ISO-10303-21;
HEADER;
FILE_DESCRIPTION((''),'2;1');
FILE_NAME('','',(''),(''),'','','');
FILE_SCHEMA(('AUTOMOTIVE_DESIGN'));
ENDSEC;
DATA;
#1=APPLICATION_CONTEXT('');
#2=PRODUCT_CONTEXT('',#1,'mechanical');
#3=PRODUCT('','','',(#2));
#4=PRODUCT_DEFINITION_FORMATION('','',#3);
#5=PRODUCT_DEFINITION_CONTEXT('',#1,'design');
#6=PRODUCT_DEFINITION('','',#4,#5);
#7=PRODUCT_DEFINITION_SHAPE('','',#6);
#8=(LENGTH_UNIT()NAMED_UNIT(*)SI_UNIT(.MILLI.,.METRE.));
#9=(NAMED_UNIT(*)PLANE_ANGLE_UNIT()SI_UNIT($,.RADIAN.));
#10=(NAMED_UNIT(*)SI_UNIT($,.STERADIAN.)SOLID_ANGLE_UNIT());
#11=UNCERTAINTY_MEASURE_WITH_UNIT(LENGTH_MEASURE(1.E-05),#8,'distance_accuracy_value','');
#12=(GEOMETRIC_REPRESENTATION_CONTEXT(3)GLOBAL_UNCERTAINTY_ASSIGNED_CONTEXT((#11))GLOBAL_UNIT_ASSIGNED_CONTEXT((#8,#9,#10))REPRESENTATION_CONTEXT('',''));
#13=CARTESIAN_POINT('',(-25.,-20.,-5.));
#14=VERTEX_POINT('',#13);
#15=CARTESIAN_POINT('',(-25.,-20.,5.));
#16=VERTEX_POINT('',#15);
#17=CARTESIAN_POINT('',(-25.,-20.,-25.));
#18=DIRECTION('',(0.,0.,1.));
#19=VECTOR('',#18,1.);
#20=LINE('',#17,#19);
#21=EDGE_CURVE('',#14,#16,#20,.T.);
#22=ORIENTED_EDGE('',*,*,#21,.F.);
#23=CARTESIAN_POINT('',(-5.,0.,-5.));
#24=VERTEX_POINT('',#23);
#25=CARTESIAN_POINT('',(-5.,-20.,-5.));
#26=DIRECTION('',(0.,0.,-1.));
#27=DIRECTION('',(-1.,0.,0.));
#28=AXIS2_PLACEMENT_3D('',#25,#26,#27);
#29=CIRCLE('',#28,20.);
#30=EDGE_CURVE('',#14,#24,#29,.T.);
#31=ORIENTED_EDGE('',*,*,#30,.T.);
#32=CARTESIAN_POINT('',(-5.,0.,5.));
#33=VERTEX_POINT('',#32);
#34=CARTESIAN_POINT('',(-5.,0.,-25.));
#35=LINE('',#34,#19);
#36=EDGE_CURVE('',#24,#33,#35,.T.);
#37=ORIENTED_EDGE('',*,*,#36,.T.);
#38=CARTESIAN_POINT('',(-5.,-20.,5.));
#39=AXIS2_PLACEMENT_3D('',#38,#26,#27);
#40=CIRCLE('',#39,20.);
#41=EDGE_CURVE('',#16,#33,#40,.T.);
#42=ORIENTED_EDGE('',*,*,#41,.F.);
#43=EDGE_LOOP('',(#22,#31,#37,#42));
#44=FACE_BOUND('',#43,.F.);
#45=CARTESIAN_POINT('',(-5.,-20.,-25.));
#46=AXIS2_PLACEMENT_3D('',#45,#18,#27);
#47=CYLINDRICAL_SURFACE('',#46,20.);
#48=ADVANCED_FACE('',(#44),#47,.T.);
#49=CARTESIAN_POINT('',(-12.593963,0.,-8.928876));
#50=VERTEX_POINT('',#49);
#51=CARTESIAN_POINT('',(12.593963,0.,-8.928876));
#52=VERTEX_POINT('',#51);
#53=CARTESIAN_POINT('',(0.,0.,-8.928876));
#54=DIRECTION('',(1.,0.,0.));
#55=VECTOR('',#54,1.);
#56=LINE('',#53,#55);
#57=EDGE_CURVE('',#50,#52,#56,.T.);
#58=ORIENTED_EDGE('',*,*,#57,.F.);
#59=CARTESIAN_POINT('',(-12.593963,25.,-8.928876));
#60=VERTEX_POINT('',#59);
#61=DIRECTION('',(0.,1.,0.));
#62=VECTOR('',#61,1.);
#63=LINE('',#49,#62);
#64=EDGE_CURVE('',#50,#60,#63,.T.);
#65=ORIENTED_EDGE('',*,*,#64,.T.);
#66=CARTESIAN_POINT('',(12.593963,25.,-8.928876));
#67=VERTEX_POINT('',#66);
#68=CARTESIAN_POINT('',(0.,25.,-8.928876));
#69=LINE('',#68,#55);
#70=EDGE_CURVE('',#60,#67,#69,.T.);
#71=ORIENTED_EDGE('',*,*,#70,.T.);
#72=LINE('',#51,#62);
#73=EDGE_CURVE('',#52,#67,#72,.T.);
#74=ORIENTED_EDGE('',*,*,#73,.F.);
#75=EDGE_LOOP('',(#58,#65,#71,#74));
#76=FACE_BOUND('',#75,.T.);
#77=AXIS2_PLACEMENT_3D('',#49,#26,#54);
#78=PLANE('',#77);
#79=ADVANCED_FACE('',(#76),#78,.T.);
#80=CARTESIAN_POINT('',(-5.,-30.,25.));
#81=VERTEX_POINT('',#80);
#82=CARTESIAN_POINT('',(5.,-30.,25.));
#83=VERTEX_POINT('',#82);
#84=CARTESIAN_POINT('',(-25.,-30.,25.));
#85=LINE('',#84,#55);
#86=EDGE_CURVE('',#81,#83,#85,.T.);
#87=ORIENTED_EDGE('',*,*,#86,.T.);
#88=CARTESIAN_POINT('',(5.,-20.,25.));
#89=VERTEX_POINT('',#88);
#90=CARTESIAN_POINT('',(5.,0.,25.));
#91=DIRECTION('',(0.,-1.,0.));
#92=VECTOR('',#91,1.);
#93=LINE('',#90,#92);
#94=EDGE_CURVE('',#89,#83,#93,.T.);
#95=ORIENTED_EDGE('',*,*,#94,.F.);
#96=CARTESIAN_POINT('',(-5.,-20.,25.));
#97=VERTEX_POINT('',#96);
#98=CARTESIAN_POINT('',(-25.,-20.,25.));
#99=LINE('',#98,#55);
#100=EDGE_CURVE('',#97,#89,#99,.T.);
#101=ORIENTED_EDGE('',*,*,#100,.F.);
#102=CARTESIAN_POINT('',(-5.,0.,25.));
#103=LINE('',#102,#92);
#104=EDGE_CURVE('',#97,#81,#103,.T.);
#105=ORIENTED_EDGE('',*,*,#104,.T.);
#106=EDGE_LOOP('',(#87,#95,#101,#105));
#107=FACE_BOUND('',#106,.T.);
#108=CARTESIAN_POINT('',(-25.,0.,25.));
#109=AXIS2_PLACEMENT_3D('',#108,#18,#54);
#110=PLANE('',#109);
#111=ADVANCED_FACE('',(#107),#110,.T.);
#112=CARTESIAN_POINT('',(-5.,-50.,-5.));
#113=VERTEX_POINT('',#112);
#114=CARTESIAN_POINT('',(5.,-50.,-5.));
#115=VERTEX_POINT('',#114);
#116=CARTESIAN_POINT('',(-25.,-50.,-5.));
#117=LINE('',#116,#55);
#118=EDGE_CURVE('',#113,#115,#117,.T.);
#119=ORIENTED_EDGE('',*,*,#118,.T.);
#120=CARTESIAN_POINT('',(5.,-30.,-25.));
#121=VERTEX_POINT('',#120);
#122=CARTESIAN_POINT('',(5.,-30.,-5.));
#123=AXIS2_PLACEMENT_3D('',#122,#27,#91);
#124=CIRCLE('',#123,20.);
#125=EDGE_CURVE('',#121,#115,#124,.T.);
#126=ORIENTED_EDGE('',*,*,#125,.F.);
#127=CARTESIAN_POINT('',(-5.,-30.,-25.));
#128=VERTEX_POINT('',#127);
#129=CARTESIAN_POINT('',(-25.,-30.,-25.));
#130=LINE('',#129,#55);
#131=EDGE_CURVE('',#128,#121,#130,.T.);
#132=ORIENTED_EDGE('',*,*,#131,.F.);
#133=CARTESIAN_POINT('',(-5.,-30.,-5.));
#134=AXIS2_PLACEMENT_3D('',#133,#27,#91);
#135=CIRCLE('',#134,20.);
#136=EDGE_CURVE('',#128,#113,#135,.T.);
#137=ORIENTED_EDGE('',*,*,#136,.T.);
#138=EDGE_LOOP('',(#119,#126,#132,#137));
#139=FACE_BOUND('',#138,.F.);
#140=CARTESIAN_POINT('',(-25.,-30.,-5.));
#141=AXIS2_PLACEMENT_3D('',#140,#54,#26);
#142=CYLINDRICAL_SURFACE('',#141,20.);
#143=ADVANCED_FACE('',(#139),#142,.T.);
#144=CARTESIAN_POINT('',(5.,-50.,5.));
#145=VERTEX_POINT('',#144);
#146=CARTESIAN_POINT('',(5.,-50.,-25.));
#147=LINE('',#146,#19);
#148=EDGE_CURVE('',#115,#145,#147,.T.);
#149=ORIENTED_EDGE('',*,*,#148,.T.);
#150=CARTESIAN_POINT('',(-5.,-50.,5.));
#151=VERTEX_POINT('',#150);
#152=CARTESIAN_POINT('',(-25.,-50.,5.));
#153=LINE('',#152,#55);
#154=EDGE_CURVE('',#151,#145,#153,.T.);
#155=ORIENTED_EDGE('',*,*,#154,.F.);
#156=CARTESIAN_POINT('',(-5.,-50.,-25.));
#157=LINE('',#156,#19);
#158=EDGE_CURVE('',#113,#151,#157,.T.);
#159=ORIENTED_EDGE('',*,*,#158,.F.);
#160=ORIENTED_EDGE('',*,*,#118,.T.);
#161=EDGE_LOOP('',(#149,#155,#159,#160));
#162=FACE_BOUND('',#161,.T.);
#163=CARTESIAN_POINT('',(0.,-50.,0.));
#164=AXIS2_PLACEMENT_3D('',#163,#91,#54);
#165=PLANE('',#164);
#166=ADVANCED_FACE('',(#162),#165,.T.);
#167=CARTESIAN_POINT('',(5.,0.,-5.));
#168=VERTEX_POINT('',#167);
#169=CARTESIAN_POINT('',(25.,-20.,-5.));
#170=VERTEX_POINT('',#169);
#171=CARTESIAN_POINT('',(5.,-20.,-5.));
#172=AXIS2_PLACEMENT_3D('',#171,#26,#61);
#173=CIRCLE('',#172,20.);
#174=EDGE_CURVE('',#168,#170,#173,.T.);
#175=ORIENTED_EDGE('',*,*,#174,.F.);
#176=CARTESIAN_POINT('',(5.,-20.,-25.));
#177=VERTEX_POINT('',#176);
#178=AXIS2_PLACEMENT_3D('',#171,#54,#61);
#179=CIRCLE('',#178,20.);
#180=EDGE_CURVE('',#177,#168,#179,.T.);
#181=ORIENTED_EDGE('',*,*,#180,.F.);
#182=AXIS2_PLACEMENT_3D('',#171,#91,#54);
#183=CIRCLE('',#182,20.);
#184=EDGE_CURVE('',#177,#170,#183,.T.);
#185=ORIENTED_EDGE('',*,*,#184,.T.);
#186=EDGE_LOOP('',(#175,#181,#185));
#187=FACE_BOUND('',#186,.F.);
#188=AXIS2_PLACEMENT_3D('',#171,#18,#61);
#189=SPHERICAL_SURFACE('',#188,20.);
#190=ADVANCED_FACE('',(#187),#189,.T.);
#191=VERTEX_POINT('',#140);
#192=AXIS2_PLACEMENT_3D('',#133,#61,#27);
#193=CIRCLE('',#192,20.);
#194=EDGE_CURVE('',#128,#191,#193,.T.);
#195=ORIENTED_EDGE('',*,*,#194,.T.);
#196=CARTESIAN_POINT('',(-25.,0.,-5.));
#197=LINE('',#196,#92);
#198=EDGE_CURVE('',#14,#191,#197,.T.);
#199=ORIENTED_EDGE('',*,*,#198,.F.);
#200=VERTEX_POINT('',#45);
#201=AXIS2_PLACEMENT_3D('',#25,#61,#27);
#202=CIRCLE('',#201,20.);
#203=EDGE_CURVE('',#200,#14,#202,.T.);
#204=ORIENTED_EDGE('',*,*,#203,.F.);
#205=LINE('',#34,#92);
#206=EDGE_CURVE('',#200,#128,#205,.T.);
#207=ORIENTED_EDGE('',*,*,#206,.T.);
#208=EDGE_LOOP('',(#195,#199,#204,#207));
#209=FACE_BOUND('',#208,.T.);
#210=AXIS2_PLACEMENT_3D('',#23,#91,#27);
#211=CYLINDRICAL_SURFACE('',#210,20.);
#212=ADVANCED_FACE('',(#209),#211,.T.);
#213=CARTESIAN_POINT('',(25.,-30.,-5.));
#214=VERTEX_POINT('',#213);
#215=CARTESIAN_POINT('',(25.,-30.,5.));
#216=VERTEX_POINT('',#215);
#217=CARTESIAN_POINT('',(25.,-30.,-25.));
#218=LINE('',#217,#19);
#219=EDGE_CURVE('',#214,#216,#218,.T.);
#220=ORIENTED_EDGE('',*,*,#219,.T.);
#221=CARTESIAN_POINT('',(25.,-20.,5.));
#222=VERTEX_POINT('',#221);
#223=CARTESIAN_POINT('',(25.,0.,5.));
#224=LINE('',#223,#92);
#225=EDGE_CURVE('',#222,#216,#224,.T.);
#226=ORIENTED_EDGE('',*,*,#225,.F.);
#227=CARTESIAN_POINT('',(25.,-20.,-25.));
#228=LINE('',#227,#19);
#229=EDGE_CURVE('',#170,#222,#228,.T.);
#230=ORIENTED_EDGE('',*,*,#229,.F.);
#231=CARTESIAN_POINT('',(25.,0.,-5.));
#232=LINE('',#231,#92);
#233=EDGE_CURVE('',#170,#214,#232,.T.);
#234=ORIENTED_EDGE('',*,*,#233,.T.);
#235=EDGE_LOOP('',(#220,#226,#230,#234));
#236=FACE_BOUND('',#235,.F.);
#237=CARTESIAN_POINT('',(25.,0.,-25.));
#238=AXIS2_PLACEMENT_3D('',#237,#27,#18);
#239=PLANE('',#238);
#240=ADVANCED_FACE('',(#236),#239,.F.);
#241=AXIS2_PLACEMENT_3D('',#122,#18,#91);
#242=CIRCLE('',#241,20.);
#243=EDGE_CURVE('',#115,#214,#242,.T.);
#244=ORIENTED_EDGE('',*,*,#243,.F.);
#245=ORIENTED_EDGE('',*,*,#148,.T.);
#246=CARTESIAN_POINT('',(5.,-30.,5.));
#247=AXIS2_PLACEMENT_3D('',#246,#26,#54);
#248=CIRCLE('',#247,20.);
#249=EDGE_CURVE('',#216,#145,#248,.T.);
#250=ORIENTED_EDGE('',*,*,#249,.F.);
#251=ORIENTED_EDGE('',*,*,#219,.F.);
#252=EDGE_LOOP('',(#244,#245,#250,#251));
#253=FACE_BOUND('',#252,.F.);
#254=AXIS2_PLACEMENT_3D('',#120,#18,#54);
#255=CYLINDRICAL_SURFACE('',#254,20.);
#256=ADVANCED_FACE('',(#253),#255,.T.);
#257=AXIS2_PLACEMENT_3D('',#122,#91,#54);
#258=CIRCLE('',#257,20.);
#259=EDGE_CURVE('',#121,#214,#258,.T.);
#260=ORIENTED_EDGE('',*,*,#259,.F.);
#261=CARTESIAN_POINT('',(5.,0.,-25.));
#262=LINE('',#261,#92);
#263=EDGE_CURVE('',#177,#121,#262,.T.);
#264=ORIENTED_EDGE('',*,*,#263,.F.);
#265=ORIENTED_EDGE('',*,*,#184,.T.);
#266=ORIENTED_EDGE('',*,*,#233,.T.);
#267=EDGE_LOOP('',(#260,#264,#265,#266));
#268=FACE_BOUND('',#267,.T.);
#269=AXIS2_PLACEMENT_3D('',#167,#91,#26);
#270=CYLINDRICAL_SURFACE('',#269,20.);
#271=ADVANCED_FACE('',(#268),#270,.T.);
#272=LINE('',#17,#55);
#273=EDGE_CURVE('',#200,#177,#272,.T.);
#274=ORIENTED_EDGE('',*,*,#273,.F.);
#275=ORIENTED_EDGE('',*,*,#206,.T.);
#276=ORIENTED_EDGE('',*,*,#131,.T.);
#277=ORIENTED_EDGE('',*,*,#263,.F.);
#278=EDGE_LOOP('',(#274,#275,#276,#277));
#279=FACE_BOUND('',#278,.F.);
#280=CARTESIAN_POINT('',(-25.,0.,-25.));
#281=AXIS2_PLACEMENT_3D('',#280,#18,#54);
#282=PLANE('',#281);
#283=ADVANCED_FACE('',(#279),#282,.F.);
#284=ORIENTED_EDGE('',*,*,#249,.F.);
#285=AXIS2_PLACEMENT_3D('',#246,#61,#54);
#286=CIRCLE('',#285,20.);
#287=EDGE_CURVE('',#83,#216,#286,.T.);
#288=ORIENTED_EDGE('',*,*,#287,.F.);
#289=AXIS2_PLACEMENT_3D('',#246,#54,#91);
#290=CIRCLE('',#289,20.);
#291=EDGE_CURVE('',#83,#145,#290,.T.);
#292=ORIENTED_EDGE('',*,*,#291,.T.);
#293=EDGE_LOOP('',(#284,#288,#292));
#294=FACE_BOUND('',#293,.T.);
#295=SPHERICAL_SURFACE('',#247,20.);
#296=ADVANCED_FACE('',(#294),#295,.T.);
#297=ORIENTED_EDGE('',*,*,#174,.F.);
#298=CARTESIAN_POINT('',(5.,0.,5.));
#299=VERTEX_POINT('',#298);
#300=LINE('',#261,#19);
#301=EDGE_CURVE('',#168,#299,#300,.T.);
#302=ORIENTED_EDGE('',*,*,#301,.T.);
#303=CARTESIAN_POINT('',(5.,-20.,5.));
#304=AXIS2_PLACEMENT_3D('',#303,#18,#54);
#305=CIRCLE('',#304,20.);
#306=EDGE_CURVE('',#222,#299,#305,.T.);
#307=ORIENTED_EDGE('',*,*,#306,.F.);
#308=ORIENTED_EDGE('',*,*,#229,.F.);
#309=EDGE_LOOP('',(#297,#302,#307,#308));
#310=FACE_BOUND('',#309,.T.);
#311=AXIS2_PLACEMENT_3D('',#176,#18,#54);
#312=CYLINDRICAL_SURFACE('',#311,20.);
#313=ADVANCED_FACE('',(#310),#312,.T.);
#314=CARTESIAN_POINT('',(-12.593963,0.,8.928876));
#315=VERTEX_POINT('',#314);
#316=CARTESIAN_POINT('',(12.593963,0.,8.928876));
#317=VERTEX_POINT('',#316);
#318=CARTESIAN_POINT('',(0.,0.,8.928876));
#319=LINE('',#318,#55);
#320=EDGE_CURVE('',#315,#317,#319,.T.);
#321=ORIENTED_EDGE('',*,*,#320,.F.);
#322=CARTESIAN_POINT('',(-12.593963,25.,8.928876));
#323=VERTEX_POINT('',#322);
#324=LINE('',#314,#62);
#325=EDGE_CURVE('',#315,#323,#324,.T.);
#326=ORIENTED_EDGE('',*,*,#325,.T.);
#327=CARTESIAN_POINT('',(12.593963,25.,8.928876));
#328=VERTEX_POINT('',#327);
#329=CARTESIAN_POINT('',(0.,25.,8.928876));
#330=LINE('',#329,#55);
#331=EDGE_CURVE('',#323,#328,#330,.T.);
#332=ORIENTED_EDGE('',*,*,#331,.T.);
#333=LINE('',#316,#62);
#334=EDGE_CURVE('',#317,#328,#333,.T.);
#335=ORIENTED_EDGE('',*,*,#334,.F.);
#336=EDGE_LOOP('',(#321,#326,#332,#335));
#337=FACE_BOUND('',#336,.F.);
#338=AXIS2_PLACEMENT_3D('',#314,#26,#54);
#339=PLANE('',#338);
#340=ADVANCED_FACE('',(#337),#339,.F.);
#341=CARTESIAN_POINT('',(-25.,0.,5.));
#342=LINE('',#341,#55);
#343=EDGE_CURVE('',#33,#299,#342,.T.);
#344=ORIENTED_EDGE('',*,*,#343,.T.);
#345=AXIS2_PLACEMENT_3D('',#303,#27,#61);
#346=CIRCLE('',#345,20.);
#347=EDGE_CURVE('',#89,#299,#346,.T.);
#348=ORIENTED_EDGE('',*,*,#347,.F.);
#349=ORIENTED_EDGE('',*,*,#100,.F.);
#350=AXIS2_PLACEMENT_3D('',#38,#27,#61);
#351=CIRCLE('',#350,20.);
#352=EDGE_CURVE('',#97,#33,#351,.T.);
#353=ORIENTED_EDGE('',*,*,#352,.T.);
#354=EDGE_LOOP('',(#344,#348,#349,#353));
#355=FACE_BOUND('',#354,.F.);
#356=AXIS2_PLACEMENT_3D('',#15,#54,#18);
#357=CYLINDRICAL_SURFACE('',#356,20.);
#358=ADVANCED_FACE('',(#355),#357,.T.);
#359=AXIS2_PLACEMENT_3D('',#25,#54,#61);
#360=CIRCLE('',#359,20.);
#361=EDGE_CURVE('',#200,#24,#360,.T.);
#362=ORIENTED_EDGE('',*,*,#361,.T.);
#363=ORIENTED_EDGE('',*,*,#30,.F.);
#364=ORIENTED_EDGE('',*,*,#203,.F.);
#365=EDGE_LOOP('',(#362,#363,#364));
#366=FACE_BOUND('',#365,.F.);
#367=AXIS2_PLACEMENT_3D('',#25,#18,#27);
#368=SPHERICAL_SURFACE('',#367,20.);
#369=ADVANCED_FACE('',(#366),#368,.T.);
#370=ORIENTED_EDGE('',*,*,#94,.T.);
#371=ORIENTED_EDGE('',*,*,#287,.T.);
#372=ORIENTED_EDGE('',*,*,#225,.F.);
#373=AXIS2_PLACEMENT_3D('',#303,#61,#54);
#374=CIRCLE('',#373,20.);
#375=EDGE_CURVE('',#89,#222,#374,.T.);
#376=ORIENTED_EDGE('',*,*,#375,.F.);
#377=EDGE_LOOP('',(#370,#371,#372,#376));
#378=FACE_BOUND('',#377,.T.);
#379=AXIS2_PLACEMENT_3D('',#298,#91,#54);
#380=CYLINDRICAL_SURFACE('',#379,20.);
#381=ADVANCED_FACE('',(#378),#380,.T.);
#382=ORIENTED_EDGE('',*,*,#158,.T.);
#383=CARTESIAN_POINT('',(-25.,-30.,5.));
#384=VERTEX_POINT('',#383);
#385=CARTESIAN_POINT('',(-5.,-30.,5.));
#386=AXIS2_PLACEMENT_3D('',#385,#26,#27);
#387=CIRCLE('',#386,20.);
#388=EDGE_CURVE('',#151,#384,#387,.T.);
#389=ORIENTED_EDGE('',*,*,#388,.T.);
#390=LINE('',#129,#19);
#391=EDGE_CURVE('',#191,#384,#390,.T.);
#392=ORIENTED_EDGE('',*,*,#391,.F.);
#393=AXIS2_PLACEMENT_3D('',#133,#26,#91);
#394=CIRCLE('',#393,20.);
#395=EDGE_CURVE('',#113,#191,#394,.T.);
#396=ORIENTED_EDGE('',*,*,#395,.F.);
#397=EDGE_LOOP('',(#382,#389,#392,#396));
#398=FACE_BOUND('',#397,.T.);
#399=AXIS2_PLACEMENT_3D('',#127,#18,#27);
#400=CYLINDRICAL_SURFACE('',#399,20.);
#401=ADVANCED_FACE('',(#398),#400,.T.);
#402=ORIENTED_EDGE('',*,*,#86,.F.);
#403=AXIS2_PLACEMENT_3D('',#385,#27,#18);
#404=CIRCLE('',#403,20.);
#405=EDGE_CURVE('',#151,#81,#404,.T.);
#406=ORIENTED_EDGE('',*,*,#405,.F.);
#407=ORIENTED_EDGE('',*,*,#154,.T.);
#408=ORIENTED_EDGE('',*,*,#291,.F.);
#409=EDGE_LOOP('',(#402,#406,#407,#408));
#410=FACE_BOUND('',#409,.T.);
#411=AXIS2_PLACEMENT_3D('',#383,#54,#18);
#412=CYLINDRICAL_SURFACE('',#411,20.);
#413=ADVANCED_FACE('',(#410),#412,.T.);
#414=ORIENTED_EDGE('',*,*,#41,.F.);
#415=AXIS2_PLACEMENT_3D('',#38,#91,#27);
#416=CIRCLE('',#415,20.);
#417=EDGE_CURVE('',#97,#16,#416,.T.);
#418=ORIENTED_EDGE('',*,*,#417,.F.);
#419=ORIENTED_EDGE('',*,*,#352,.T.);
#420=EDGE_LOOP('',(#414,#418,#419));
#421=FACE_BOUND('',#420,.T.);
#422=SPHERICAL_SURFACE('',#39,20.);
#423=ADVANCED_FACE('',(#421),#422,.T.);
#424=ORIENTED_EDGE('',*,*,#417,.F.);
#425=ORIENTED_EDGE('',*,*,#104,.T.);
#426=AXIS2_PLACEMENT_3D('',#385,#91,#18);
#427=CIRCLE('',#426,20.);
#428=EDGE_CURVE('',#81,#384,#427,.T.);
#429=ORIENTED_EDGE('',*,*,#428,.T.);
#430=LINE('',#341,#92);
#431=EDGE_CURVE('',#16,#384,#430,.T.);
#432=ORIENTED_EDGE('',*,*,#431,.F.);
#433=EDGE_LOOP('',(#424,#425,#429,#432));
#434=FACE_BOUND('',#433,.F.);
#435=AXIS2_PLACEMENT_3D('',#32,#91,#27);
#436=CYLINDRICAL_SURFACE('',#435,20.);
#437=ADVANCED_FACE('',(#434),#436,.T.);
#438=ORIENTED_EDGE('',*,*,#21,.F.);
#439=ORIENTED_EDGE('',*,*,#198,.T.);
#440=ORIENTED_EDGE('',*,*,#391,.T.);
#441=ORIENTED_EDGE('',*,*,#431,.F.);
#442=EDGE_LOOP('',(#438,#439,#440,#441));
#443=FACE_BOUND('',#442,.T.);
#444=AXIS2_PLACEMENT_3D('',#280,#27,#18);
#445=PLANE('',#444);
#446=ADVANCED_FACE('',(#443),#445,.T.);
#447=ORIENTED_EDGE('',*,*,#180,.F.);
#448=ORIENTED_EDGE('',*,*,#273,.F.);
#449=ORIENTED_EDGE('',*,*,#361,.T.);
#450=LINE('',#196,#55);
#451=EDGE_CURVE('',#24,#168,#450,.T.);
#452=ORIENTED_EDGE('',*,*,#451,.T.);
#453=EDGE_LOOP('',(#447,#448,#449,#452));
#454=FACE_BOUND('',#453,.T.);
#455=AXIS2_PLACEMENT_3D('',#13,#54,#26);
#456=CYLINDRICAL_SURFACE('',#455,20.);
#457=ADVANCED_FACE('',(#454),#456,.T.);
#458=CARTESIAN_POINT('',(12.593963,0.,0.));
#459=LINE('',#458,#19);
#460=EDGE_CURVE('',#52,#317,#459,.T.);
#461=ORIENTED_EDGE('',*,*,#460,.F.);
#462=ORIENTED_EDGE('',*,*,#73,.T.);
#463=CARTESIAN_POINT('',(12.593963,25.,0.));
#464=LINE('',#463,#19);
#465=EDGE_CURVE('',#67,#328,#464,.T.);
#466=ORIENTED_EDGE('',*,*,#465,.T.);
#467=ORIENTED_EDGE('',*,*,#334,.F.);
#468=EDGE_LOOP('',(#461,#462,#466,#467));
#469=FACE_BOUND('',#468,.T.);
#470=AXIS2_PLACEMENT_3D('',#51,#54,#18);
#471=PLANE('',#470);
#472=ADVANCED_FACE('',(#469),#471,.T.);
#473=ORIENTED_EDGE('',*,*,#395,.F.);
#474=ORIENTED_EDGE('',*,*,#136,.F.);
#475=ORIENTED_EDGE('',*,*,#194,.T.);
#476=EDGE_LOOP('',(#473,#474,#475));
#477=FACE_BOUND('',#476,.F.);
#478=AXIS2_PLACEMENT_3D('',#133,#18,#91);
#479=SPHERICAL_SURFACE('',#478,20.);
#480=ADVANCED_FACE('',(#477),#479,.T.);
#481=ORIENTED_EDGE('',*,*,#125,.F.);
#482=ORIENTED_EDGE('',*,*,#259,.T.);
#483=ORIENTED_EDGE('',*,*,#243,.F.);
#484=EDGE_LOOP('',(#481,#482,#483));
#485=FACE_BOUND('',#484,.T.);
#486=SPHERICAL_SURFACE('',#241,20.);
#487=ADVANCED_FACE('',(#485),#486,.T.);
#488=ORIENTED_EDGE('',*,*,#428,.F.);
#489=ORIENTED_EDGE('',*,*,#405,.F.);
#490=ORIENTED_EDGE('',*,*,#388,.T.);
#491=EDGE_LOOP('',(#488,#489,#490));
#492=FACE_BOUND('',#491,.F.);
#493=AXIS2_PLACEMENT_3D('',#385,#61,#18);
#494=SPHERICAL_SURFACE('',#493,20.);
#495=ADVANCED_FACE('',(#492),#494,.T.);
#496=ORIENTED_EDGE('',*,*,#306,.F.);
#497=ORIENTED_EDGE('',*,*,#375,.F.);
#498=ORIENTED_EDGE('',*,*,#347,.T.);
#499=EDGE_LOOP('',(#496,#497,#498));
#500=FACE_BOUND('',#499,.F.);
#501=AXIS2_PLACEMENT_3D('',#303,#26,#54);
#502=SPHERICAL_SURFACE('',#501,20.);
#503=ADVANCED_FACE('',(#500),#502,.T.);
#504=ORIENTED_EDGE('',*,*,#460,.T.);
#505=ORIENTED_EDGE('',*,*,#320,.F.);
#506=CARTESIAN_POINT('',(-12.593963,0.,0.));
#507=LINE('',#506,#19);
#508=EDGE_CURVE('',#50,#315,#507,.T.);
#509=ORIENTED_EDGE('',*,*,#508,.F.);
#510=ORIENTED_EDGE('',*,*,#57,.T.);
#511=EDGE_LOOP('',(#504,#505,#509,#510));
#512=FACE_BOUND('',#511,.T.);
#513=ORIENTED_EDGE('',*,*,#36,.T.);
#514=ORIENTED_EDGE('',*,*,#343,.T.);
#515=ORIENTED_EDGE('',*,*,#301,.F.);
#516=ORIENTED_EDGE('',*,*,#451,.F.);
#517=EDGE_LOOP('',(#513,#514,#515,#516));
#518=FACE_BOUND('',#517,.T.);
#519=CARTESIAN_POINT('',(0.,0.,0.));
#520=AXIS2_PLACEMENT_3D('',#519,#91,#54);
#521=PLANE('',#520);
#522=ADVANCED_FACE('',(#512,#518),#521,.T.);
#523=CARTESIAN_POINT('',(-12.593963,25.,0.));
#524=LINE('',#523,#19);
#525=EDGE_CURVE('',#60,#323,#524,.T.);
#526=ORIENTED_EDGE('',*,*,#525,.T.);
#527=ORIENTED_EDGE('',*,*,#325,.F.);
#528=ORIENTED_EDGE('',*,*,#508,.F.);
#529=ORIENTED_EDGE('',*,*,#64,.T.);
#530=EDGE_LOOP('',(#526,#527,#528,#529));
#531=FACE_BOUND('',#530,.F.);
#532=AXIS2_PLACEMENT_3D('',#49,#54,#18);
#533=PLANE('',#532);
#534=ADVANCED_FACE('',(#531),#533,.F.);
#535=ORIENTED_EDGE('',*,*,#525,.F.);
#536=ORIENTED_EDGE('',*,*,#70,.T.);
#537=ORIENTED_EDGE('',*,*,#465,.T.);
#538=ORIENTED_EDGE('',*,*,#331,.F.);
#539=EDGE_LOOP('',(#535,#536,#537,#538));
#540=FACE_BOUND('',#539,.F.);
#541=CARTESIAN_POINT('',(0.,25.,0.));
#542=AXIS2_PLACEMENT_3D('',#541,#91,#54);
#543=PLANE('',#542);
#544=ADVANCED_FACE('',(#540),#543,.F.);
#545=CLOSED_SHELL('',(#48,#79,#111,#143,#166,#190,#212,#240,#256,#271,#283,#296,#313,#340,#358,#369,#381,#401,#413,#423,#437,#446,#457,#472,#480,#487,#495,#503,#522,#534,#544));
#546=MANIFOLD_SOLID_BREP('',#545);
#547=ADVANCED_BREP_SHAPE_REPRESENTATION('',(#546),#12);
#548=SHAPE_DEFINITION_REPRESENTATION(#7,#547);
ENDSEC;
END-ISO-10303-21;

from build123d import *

# Parameters (mm, degrees)
F0_W     = 50
F0_H     = 50
F1_DEPTH = 50
F2_R     = 20
F3_W     = 25.187926
F3_H     = 17.857752
F4_DEPTH = 25


with BuildPart() as f1:
    # F0 (on Front) → F1 (new body)
    with BuildSketch(Plane.XZ):
        Rectangle(F0_W, F0_H)
    extrude(amount=F1_DEPTH)

    # F2
    f2_edges = [f1.edges().sort_by_distance(p)[0] for p in [
        (25, 0, 0),
        (-25, 0, 0),
        (25, -50, 0),
        (25, -25, 25),
        (-25, -25, 25),
        (0, 0, 25),
        (0, -50, 25),
        (-25, -50, 0),
        (0, -50, -25),
        (-25, -25, -25),
        (0, 0, -25),
        (25, -25, -25),
    ]]
    fillet(f2_edges, radius=F2_R)

    # F3 (on Front) → F4 (join)
    with BuildSketch(Plane.XZ):
        Rectangle(F3_W, F3_H)
    extrude(amount=-F4_DEPTH)


solid = f1.part
